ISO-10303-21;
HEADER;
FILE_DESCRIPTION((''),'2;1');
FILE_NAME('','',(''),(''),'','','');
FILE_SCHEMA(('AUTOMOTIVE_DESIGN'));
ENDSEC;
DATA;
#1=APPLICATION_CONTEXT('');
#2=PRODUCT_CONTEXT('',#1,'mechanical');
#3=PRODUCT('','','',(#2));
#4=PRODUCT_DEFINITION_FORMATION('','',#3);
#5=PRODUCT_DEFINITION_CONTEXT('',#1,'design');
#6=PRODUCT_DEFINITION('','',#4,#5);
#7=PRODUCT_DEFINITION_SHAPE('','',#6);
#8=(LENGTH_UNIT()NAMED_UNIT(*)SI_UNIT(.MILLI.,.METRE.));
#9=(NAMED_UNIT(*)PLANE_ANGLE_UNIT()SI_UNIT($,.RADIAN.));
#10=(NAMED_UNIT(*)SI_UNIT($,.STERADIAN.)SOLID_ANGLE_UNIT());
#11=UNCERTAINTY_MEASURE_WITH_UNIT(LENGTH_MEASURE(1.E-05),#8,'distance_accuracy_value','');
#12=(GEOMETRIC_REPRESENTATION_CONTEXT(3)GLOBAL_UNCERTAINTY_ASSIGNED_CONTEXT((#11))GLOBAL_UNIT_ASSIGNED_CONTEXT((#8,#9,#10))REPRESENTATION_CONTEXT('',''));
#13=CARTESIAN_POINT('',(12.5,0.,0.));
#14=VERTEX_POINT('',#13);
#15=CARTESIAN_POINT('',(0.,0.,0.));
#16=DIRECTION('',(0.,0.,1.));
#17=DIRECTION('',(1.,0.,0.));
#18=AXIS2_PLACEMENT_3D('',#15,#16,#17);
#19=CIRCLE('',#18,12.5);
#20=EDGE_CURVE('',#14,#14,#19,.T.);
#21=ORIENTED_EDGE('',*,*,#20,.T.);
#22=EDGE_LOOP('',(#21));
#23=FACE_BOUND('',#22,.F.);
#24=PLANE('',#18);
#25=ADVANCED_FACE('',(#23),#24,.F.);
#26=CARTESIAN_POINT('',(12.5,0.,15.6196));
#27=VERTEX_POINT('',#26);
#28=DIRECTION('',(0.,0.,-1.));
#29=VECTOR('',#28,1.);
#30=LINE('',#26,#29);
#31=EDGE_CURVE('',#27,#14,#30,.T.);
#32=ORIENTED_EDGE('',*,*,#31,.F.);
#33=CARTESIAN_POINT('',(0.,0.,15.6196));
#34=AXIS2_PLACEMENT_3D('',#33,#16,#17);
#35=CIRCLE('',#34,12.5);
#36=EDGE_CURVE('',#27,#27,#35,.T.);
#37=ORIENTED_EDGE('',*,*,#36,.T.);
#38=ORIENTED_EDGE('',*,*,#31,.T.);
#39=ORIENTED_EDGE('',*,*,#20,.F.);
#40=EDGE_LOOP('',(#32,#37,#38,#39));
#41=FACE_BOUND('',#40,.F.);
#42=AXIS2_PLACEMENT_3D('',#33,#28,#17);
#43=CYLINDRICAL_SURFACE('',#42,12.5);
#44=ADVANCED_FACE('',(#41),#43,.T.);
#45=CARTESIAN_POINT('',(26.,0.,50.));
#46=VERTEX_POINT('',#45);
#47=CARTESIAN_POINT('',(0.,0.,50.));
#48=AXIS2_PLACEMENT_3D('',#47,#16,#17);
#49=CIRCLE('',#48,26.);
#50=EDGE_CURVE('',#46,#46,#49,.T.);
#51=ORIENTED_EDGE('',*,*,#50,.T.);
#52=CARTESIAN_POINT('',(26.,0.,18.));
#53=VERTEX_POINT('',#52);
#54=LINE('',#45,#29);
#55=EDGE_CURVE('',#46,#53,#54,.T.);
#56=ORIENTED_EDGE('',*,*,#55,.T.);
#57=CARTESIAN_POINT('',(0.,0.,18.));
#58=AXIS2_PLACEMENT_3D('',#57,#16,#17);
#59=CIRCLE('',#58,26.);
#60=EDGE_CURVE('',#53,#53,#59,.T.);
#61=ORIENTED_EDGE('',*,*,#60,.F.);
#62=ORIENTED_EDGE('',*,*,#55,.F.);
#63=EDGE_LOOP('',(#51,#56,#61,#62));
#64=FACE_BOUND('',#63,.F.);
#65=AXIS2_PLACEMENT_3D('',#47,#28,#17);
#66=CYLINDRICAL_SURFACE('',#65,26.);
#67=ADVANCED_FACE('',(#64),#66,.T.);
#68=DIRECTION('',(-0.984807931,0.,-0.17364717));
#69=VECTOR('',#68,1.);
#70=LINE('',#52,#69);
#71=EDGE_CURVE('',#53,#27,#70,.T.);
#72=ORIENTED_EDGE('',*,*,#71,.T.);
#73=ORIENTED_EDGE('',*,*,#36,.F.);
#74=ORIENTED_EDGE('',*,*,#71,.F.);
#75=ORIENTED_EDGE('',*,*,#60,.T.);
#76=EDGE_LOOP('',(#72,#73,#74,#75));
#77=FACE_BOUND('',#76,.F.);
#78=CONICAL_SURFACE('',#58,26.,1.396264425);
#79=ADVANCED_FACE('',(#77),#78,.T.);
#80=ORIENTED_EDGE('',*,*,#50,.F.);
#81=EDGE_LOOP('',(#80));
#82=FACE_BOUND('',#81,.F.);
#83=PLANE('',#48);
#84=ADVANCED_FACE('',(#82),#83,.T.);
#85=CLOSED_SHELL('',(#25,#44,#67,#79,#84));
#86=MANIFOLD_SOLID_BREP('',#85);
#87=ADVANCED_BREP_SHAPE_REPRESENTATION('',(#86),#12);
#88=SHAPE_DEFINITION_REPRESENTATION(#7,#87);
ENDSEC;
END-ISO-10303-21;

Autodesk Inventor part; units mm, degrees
ref_plane "YZ Plane" through (0, 0, 0) normal (1, 0, 0) x (0, 1, 0)
ref_plane "XZ Plane" through (0, 0, 0) normal (0, 1, 0) x (-1, 0, 0)
ref_plane "XY Plane" through (0, 0, 0) normal (0, 0, 1) x (1, 0, 0)
sketch "Sketch1" plane through (0, 0, 0) normal (0, 1, 0) x (-1, 0, 0)
  line L0 (0, 0) -> (0, 50)
  line L1 (0, 50) -> (-26, 50)
  line L2 (-26, 50) -> (-26, 18)
  line L3 (-26, 18) -> (-12.5, 15.6196)
  line L4 (-12.5, 15.6196) -> (-12.5, 0)
  line L5 (-12.5, 0) -> (0, 0)
  dimension "d0" = 50
  dimension "d1" = 52
  dimension "d2" = 25
  dimension "d3" = 32
  dimension "d4" = 100
revolve "Revolution1" add sketch "Sketch1" angle 360 about axis through (0, 0, 0) along (0, 0, 1)
properties part number "TZS dummy filter element"
